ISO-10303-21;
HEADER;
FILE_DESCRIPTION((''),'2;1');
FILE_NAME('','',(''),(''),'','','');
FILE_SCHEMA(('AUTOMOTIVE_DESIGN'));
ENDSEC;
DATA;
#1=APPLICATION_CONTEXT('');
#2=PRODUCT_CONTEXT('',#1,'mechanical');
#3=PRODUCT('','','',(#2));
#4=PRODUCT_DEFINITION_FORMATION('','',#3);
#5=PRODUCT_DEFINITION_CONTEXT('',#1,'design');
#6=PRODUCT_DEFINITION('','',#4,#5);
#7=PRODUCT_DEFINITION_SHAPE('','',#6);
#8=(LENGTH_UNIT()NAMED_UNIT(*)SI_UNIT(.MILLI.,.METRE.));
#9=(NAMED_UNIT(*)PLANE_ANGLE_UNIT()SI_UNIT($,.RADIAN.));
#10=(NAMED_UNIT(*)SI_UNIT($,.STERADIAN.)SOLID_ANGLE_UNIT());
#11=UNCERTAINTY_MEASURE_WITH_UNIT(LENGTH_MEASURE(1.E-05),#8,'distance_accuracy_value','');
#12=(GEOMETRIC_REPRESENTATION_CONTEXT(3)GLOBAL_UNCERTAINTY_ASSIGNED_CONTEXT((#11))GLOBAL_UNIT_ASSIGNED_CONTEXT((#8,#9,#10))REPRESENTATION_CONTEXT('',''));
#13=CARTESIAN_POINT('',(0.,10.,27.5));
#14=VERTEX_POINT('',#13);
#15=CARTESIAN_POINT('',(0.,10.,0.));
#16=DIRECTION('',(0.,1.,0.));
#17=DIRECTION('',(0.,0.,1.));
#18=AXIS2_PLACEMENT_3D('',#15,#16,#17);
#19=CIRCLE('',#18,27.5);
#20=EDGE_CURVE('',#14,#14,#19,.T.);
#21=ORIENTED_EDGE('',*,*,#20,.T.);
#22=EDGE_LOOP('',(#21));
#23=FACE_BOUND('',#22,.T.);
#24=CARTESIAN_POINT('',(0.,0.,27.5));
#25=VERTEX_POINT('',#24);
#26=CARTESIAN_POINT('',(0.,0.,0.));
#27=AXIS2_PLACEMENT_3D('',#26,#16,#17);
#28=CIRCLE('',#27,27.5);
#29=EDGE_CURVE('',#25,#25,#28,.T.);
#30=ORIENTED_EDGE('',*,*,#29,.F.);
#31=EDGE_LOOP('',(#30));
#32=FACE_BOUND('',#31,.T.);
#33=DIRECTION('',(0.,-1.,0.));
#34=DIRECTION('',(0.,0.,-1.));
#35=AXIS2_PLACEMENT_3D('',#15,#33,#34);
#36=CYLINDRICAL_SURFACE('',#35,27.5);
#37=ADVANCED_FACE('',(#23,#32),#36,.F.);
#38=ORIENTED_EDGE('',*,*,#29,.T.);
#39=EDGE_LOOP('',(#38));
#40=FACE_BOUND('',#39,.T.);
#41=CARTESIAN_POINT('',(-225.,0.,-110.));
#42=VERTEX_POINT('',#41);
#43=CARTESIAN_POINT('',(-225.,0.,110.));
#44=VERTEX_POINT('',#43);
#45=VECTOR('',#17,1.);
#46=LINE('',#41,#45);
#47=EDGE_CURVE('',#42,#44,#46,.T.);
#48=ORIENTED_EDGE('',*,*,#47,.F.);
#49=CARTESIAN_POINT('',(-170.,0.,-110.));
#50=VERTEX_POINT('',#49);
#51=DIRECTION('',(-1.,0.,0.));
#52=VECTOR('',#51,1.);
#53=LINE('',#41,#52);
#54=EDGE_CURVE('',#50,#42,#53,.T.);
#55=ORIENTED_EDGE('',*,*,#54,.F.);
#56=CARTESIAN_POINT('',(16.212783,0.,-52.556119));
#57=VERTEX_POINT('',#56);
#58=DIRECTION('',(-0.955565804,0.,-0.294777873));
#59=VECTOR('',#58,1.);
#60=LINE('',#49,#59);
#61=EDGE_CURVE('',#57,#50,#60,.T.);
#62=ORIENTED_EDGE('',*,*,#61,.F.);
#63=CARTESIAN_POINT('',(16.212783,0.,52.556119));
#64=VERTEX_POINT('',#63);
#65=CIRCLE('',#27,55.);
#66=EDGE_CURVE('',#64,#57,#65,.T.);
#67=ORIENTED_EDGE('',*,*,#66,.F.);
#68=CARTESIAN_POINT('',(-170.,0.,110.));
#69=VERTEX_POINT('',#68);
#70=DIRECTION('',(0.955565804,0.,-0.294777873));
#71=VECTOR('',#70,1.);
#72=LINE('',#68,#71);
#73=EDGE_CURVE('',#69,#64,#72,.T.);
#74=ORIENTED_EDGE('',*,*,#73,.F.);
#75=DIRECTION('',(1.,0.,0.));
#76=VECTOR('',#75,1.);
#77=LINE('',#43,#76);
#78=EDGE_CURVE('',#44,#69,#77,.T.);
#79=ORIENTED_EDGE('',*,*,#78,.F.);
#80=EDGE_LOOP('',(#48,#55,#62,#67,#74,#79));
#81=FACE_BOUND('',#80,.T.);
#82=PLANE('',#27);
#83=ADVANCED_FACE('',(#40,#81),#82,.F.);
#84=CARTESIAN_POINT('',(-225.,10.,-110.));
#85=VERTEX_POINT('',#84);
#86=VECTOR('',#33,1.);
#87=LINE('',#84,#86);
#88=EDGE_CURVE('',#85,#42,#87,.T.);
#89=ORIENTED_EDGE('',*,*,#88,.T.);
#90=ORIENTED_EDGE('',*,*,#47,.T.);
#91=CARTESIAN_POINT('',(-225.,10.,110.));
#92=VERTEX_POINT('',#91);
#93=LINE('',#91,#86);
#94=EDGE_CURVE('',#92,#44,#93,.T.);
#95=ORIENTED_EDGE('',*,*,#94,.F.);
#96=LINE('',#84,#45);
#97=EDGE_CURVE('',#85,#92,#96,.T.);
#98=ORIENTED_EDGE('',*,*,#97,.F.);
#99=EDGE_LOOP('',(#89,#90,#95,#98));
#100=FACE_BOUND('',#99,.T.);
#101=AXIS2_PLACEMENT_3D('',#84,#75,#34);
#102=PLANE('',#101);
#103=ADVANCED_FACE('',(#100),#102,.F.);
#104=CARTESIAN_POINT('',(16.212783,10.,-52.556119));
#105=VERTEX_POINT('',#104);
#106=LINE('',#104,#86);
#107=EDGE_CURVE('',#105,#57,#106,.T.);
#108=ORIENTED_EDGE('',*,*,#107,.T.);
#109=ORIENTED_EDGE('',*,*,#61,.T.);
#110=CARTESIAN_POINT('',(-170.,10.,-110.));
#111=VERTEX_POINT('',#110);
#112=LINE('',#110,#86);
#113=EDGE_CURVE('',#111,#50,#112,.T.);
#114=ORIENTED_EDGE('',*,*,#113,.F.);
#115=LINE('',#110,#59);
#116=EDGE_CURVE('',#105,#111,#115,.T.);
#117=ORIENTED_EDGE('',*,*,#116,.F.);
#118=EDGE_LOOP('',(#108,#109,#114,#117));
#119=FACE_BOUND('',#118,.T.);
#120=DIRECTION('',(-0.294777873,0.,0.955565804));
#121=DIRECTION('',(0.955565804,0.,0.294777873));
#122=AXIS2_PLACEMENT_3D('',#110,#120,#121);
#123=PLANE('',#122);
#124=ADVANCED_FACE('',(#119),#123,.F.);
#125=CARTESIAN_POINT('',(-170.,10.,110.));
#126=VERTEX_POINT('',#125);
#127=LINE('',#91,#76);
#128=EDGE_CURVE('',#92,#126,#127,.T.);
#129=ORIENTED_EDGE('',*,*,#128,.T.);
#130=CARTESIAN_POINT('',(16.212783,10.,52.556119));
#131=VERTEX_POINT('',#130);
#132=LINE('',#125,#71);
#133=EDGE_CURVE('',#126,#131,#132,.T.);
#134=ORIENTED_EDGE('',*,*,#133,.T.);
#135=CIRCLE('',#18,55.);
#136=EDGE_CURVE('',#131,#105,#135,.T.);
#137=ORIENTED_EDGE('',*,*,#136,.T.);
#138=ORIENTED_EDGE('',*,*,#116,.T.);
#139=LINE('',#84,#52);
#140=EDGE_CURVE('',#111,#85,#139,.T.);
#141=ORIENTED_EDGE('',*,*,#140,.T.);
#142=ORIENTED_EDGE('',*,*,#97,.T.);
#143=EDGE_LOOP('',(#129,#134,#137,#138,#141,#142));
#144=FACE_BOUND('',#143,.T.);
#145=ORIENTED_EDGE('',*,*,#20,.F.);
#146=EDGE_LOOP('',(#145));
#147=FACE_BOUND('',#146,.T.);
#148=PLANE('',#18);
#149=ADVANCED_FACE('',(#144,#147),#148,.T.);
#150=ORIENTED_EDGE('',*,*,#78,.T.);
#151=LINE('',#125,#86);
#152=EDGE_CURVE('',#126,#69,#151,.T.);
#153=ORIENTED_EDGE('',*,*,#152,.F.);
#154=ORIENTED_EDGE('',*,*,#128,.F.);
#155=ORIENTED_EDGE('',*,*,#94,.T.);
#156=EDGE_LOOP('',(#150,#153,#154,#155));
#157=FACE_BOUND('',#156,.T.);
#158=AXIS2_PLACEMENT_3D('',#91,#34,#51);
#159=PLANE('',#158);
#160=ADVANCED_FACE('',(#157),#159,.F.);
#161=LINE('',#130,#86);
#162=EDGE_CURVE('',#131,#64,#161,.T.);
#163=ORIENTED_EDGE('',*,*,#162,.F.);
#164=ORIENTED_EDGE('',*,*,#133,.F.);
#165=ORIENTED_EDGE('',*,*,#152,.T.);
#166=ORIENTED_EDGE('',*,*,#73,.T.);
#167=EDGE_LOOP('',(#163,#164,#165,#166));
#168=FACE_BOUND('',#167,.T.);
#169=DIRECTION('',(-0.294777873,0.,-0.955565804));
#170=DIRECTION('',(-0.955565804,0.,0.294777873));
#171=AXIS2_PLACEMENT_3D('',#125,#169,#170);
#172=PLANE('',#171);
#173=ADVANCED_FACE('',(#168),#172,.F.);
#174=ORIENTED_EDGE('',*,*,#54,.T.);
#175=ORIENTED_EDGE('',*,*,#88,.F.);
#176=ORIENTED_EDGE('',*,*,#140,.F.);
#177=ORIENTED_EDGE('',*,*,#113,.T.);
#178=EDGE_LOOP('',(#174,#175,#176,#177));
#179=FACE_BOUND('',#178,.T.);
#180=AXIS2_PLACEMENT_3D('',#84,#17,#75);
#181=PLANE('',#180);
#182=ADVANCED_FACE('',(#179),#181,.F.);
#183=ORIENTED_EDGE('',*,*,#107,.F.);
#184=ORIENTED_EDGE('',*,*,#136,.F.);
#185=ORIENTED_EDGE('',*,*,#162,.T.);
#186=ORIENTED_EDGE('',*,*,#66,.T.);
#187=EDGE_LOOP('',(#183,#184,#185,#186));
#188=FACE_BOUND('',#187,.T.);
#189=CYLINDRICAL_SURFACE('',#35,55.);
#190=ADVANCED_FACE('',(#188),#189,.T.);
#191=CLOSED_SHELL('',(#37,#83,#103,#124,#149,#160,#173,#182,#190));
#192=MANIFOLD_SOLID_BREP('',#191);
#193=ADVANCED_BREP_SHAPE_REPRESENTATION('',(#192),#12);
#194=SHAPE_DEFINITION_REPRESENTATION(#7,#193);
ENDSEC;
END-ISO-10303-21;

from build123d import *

# Parameters (mm, degrees)
SKETCH_W_DIMENSIONS_R = 27.5
EXTRUDE_10MM_DEPTH    = 10


with BuildPart() as part:
    # sketch_w_dimensions → extrude_10mm (new body)
    with BuildSketch(Plane(origin=(0, 0, 0), x_dir=(1, 0, 0), z_dir=(0, 1, 0))):
        with BuildLine():
            Line((-225, 110), (-225, -110))
            Line((-225, -110), (-170, -110))
            Line((-170, -110), (16.21278302, -52.556119213))
            ThreePointArc((16.21278302, -52.556119213), (55, 0), (16.21278302, 52.556119213))
            Line((16.21278302, 52.556119213), (-170, 110))
            Line((-170, 110), (-225, 110))
        make_face()
        with Locations(Location((0, 0, 0), (0, 0, 270))):
            Circle(SKETCH_W_DIMENSIONS_R, mode=Mode.SUBTRACT)
    extrude(amount=EXTRUDE_10MM_DEPTH)


solid = part.part
